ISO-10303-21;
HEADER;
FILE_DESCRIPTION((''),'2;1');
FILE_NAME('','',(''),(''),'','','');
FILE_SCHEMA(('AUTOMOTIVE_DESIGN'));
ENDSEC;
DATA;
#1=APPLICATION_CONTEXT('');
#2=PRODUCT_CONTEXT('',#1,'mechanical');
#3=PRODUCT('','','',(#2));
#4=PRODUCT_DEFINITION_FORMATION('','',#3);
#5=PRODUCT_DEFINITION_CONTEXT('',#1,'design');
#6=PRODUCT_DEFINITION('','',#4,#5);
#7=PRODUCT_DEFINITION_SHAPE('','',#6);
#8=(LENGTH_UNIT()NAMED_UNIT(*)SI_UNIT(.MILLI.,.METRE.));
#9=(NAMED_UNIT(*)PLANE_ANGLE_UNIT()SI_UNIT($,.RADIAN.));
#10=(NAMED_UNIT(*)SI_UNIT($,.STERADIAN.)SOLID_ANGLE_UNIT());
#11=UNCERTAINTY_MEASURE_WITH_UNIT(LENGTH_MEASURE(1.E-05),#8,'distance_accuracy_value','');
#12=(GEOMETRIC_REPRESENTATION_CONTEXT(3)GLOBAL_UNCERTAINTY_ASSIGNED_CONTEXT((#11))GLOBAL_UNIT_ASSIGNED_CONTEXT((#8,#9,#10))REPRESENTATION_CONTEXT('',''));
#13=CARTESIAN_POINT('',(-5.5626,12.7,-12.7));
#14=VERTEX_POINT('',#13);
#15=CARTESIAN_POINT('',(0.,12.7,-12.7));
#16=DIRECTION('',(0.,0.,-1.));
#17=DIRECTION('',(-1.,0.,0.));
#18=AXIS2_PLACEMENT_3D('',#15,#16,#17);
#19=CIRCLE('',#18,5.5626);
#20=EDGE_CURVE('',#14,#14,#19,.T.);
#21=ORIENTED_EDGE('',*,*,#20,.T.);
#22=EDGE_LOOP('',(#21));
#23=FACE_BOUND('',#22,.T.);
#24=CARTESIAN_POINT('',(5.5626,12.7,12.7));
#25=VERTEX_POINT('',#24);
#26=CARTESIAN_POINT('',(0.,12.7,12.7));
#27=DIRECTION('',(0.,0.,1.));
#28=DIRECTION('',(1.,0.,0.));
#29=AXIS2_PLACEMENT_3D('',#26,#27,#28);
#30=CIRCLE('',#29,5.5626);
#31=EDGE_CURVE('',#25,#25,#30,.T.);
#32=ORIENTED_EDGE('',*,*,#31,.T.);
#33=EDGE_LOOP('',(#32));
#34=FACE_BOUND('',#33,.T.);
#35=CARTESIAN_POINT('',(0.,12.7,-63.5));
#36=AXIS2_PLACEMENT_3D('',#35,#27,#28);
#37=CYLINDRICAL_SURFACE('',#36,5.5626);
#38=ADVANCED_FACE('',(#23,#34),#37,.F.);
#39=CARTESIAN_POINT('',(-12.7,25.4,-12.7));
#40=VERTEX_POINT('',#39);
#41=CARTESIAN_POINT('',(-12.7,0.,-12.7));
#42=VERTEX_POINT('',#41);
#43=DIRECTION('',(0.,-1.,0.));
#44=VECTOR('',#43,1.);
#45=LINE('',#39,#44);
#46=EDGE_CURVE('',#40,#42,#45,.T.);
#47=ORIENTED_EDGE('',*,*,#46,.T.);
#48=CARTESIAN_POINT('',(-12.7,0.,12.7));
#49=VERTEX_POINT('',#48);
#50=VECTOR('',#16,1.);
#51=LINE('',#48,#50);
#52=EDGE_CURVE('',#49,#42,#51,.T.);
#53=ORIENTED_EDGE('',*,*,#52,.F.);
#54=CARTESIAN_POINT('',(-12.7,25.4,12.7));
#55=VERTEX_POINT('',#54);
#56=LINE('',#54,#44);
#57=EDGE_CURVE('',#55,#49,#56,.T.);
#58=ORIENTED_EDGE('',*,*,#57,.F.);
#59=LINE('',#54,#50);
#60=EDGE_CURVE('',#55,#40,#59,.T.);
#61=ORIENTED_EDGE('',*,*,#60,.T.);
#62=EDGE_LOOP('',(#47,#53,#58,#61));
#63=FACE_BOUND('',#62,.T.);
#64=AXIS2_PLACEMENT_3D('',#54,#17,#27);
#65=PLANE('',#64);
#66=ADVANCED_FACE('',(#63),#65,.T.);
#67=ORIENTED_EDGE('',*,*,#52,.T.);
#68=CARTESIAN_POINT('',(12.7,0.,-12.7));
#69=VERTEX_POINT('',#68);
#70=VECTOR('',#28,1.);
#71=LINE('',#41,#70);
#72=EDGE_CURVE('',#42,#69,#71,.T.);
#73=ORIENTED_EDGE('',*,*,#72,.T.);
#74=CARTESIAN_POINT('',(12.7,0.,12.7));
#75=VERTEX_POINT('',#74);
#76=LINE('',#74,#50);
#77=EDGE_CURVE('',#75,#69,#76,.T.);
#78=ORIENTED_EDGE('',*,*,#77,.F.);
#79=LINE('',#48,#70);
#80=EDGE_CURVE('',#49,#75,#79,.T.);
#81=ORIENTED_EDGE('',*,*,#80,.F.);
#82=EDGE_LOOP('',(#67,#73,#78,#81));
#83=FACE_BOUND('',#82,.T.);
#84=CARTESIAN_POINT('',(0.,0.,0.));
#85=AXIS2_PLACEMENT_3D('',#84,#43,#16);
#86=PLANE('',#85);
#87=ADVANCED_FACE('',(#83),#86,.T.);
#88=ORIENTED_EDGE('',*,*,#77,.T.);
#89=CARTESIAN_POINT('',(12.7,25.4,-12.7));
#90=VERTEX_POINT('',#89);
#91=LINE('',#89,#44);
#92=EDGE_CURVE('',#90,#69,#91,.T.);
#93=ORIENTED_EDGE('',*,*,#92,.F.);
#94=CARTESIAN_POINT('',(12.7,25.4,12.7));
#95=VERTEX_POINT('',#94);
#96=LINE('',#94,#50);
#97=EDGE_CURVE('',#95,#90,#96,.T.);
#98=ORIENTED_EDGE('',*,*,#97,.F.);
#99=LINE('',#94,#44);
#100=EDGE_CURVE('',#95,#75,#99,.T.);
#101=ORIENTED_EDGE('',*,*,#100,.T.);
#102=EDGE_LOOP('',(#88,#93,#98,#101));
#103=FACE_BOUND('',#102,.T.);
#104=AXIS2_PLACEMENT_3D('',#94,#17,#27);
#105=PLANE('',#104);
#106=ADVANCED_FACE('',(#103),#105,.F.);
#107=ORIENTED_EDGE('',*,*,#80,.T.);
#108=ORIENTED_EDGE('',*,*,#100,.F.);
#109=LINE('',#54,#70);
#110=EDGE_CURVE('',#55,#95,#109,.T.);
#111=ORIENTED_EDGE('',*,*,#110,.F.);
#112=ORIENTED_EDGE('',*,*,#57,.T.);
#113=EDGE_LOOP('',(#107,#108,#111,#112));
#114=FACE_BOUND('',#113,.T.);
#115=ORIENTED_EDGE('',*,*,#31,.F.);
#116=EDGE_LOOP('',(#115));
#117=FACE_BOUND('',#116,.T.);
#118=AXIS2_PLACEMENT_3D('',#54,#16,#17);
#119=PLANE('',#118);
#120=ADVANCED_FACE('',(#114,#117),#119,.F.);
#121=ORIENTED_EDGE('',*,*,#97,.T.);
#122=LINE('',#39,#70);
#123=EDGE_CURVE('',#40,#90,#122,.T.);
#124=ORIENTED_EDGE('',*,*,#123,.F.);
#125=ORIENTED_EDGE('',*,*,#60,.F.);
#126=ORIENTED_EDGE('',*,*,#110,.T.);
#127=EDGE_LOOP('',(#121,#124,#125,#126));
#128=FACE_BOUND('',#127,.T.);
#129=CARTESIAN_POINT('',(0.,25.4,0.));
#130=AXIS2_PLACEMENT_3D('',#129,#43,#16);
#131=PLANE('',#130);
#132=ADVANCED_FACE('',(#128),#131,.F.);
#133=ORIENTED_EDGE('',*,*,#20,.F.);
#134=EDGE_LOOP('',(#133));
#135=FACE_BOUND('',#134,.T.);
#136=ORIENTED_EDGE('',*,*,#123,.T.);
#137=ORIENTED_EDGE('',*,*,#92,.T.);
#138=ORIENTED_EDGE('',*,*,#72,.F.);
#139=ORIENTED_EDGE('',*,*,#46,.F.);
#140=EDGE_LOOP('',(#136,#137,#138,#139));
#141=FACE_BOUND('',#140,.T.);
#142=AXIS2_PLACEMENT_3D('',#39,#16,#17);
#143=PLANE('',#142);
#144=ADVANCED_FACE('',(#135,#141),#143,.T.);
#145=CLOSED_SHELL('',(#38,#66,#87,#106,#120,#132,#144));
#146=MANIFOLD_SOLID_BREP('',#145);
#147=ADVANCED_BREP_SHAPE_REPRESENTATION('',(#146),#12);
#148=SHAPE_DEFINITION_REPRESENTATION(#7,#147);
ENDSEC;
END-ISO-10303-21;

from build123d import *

# Parameters (mm, degrees)
SKETCH1_W           = 25.4
SKETCH1_H           = 25.4
BOSS_EXTRUDE1_DEPTH = 25.4
SKETCH2_R           = 5.5626
CUT_EXTRUDE1_DEPTH  = 76.2


with BuildPart() as part:
    # Sketch1 → Boss-Extrude1 (new body)
    with BuildSketch(Plane(origin=(0, 0, 0), x_dir=(1, 0, 0), z_dir=(0, 1, 0))):
        Rectangle(SKETCH1_W, SKETCH1_H)
    extrude(amount=BOSS_EXTRUDE1_DEPTH)

    # Sketch2 → Cut-Extrude1 (cut)
    with BuildSketch(Plane.XY.offset(12.7)):
        with Locations((0, 12.7)):
            Circle(SKETCH2_R)
    extrude(amount=-CUT_EXTRUDE1_DEPTH, mode=Mode.SUBTRACT)


solid = part.part
